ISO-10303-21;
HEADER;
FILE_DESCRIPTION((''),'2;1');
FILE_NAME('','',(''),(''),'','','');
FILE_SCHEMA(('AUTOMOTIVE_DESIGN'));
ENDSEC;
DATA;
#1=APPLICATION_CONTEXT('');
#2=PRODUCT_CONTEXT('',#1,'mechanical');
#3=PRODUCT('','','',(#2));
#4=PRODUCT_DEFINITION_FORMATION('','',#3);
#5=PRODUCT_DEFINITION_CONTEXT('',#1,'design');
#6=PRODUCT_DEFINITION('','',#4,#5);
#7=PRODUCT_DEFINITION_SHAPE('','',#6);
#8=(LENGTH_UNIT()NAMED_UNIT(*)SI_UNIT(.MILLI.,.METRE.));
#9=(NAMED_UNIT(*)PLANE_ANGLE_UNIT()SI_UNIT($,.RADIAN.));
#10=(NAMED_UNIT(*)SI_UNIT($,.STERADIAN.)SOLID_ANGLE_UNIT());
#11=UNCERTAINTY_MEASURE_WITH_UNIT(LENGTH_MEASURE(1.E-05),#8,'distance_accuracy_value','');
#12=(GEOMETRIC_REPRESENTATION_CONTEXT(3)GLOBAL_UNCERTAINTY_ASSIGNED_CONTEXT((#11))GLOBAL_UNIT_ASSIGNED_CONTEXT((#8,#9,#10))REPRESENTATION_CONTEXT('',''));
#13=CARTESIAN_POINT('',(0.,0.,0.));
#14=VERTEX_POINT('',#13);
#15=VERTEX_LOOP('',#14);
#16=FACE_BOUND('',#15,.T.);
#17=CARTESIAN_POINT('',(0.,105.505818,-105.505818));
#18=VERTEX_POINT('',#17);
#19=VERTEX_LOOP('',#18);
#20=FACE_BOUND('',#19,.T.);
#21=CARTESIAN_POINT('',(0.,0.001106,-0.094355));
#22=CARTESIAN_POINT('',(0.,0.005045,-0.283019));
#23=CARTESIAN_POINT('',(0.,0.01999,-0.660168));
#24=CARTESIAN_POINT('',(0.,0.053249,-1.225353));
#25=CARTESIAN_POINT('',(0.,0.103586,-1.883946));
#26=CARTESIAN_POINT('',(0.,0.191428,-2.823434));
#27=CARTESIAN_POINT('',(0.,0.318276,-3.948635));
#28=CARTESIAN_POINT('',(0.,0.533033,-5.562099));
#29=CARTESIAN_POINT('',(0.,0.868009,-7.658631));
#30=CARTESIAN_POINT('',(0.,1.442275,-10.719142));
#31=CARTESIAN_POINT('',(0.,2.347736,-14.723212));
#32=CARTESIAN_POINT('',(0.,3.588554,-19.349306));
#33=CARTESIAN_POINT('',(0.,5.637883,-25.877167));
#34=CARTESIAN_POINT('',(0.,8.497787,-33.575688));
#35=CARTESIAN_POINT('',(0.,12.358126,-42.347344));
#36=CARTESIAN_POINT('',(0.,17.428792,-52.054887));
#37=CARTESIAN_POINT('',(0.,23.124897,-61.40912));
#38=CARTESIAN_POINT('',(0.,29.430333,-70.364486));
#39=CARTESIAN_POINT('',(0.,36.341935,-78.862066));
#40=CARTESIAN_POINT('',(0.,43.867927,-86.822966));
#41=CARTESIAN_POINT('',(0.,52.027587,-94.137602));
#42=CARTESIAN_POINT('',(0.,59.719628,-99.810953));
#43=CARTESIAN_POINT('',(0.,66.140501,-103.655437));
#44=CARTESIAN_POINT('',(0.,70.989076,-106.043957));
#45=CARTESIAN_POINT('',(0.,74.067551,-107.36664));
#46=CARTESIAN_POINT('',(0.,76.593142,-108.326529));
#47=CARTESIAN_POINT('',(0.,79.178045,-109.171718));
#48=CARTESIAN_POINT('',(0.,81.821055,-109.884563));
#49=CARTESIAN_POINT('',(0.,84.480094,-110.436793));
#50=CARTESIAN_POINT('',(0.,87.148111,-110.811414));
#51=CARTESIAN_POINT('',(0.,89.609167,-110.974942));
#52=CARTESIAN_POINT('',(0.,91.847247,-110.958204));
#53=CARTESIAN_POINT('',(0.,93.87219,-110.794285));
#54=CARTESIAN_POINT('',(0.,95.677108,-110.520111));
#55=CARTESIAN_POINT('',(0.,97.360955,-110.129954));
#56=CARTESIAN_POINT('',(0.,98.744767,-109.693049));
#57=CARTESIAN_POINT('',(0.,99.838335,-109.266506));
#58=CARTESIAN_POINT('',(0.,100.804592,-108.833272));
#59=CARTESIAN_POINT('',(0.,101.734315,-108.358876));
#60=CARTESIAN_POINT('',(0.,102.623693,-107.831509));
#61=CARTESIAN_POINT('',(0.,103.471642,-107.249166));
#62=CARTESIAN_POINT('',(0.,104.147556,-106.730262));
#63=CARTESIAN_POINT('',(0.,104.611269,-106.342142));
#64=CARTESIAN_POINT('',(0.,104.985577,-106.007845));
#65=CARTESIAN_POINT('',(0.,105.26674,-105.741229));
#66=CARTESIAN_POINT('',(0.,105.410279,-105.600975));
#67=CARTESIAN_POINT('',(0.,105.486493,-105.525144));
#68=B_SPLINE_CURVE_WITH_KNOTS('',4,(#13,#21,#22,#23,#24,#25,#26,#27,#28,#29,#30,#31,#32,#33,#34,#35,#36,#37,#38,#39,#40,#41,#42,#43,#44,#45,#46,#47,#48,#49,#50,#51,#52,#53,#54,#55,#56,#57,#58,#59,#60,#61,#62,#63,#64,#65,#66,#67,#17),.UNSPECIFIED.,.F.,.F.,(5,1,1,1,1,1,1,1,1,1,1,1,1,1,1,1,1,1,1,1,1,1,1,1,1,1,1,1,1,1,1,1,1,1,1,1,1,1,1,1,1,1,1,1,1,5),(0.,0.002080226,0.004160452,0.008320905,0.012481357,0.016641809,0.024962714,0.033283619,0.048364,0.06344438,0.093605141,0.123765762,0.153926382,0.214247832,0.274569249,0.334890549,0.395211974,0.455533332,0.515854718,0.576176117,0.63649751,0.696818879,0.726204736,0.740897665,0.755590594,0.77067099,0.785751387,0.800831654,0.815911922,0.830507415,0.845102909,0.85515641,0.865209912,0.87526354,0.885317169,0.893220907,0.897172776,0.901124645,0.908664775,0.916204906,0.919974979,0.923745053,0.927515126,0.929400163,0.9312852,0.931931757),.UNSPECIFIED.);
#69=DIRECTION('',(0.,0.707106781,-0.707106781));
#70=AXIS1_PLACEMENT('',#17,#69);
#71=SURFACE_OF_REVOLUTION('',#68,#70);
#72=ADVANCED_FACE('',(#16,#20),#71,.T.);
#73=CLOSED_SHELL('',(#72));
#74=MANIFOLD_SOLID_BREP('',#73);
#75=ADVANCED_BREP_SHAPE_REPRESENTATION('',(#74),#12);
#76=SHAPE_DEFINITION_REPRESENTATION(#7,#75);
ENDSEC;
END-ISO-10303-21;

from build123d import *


with BuildPart() as part:
    # Sketch1 → Revolve1 (revolve)
    with BuildSketch(Plane(origin=(0, 0, 0), x_dir=(0, 0, -1), z_dir=(1, 0, 0))):
        with BuildLine():
            Line((0, 0), (105.5058183, 105.5058183))
            add(Edge.make_bspline(
                [(0, 0), (0.094354721, 0.001105676), (0.283019153, 0.005045213), (0.660167994, 0.019989521), (1.225352561, 0.05324866), (1.883945741, 0.103585971), (2.823433762, 0.191428271), (3.948634707, 0.318275665), (5.562098508, 0.533032851), (7.658630822, 0.868008555), (10.719141764, 1.442275351), (14.723211789, 2.347736284), (19.349305834, 3.588553758), (25.877167346, 5.637882883), (33.575688257, 8.497787189), (42.347343945, 12.358125634), (52.054886537, 17.428791548), (61.409119681, 23.124897084), (70.364485783, 29.430333299), (78.862066296, 36.341934764), (86.822966159, 43.86792725), (94.137602482, 52.027587443), (99.810953199, 59.719628075), (103.655436537, 66.140500525), (106.043957237, 70.989075764), (107.366640379, 74.067550549), (108.326529399, 76.593141596), (109.171717735, 79.178044621), (109.884563346, 81.821055201), (110.436792587, 84.48009431), (110.811413655, 87.14811146), (110.974941599, 89.609166927), (110.958203646, 91.847246814), (110.794285365, 93.872190111), (110.520111372, 95.677107616), (110.129953801, 97.360955148), (109.693048876, 98.744766886), (109.266506435, 99.838334959), (108.833271518, 100.804591726), (108.358875962, 101.734315491), (107.831508865, 102.623692821), (107.249165923, 103.471642245), (106.730261812, 104.147555747), (106.342142153, 104.611268887), (106.007845417, 104.985577069), (105.741228976, 105.266740098), (105.600974545, 105.410279047), (105.52514365, 105.486492949), (105.5058183, 105.5058183)],
                knots=[0, 0, 0, 0, 0, 0.002080226, 0.004160452, 0.008320905, 0.012481357, 0.016641809, 0.024962714, 0.033283619, 0.048364, 0.06344438, 0.093605141, 0.123765762, 0.153926382, 0.214247832, 0.274569249, 0.334890549, 0.395211974, 0.455533332, 0.515854718, 0.576176117, 0.63649751, 0.696818879, 0.726204736, 0.740897665, 0.755590594, 0.77067099, 0.785751387, 0.800831654, 0.815911922, 0.830507415, 0.845102909, 0.85515641, 0.865209912, 0.87526354, 0.885317169, 0.893220907, 0.897172776, 0.901124645, 0.908664775, 0.916204906, 0.919974979, 0.923745053, 0.927515126, 0.929400163, 0.9312852, 0.931931757, 0.931931757, 0.931931757, 0.931931757, 0.931931757], degree=4))
        make_face()
    revolve(axis=Axis((0, 105.5058183, -105.5058183), (0, -0.7071067811865475, 0.7071067811865477)))


solid = part.part
